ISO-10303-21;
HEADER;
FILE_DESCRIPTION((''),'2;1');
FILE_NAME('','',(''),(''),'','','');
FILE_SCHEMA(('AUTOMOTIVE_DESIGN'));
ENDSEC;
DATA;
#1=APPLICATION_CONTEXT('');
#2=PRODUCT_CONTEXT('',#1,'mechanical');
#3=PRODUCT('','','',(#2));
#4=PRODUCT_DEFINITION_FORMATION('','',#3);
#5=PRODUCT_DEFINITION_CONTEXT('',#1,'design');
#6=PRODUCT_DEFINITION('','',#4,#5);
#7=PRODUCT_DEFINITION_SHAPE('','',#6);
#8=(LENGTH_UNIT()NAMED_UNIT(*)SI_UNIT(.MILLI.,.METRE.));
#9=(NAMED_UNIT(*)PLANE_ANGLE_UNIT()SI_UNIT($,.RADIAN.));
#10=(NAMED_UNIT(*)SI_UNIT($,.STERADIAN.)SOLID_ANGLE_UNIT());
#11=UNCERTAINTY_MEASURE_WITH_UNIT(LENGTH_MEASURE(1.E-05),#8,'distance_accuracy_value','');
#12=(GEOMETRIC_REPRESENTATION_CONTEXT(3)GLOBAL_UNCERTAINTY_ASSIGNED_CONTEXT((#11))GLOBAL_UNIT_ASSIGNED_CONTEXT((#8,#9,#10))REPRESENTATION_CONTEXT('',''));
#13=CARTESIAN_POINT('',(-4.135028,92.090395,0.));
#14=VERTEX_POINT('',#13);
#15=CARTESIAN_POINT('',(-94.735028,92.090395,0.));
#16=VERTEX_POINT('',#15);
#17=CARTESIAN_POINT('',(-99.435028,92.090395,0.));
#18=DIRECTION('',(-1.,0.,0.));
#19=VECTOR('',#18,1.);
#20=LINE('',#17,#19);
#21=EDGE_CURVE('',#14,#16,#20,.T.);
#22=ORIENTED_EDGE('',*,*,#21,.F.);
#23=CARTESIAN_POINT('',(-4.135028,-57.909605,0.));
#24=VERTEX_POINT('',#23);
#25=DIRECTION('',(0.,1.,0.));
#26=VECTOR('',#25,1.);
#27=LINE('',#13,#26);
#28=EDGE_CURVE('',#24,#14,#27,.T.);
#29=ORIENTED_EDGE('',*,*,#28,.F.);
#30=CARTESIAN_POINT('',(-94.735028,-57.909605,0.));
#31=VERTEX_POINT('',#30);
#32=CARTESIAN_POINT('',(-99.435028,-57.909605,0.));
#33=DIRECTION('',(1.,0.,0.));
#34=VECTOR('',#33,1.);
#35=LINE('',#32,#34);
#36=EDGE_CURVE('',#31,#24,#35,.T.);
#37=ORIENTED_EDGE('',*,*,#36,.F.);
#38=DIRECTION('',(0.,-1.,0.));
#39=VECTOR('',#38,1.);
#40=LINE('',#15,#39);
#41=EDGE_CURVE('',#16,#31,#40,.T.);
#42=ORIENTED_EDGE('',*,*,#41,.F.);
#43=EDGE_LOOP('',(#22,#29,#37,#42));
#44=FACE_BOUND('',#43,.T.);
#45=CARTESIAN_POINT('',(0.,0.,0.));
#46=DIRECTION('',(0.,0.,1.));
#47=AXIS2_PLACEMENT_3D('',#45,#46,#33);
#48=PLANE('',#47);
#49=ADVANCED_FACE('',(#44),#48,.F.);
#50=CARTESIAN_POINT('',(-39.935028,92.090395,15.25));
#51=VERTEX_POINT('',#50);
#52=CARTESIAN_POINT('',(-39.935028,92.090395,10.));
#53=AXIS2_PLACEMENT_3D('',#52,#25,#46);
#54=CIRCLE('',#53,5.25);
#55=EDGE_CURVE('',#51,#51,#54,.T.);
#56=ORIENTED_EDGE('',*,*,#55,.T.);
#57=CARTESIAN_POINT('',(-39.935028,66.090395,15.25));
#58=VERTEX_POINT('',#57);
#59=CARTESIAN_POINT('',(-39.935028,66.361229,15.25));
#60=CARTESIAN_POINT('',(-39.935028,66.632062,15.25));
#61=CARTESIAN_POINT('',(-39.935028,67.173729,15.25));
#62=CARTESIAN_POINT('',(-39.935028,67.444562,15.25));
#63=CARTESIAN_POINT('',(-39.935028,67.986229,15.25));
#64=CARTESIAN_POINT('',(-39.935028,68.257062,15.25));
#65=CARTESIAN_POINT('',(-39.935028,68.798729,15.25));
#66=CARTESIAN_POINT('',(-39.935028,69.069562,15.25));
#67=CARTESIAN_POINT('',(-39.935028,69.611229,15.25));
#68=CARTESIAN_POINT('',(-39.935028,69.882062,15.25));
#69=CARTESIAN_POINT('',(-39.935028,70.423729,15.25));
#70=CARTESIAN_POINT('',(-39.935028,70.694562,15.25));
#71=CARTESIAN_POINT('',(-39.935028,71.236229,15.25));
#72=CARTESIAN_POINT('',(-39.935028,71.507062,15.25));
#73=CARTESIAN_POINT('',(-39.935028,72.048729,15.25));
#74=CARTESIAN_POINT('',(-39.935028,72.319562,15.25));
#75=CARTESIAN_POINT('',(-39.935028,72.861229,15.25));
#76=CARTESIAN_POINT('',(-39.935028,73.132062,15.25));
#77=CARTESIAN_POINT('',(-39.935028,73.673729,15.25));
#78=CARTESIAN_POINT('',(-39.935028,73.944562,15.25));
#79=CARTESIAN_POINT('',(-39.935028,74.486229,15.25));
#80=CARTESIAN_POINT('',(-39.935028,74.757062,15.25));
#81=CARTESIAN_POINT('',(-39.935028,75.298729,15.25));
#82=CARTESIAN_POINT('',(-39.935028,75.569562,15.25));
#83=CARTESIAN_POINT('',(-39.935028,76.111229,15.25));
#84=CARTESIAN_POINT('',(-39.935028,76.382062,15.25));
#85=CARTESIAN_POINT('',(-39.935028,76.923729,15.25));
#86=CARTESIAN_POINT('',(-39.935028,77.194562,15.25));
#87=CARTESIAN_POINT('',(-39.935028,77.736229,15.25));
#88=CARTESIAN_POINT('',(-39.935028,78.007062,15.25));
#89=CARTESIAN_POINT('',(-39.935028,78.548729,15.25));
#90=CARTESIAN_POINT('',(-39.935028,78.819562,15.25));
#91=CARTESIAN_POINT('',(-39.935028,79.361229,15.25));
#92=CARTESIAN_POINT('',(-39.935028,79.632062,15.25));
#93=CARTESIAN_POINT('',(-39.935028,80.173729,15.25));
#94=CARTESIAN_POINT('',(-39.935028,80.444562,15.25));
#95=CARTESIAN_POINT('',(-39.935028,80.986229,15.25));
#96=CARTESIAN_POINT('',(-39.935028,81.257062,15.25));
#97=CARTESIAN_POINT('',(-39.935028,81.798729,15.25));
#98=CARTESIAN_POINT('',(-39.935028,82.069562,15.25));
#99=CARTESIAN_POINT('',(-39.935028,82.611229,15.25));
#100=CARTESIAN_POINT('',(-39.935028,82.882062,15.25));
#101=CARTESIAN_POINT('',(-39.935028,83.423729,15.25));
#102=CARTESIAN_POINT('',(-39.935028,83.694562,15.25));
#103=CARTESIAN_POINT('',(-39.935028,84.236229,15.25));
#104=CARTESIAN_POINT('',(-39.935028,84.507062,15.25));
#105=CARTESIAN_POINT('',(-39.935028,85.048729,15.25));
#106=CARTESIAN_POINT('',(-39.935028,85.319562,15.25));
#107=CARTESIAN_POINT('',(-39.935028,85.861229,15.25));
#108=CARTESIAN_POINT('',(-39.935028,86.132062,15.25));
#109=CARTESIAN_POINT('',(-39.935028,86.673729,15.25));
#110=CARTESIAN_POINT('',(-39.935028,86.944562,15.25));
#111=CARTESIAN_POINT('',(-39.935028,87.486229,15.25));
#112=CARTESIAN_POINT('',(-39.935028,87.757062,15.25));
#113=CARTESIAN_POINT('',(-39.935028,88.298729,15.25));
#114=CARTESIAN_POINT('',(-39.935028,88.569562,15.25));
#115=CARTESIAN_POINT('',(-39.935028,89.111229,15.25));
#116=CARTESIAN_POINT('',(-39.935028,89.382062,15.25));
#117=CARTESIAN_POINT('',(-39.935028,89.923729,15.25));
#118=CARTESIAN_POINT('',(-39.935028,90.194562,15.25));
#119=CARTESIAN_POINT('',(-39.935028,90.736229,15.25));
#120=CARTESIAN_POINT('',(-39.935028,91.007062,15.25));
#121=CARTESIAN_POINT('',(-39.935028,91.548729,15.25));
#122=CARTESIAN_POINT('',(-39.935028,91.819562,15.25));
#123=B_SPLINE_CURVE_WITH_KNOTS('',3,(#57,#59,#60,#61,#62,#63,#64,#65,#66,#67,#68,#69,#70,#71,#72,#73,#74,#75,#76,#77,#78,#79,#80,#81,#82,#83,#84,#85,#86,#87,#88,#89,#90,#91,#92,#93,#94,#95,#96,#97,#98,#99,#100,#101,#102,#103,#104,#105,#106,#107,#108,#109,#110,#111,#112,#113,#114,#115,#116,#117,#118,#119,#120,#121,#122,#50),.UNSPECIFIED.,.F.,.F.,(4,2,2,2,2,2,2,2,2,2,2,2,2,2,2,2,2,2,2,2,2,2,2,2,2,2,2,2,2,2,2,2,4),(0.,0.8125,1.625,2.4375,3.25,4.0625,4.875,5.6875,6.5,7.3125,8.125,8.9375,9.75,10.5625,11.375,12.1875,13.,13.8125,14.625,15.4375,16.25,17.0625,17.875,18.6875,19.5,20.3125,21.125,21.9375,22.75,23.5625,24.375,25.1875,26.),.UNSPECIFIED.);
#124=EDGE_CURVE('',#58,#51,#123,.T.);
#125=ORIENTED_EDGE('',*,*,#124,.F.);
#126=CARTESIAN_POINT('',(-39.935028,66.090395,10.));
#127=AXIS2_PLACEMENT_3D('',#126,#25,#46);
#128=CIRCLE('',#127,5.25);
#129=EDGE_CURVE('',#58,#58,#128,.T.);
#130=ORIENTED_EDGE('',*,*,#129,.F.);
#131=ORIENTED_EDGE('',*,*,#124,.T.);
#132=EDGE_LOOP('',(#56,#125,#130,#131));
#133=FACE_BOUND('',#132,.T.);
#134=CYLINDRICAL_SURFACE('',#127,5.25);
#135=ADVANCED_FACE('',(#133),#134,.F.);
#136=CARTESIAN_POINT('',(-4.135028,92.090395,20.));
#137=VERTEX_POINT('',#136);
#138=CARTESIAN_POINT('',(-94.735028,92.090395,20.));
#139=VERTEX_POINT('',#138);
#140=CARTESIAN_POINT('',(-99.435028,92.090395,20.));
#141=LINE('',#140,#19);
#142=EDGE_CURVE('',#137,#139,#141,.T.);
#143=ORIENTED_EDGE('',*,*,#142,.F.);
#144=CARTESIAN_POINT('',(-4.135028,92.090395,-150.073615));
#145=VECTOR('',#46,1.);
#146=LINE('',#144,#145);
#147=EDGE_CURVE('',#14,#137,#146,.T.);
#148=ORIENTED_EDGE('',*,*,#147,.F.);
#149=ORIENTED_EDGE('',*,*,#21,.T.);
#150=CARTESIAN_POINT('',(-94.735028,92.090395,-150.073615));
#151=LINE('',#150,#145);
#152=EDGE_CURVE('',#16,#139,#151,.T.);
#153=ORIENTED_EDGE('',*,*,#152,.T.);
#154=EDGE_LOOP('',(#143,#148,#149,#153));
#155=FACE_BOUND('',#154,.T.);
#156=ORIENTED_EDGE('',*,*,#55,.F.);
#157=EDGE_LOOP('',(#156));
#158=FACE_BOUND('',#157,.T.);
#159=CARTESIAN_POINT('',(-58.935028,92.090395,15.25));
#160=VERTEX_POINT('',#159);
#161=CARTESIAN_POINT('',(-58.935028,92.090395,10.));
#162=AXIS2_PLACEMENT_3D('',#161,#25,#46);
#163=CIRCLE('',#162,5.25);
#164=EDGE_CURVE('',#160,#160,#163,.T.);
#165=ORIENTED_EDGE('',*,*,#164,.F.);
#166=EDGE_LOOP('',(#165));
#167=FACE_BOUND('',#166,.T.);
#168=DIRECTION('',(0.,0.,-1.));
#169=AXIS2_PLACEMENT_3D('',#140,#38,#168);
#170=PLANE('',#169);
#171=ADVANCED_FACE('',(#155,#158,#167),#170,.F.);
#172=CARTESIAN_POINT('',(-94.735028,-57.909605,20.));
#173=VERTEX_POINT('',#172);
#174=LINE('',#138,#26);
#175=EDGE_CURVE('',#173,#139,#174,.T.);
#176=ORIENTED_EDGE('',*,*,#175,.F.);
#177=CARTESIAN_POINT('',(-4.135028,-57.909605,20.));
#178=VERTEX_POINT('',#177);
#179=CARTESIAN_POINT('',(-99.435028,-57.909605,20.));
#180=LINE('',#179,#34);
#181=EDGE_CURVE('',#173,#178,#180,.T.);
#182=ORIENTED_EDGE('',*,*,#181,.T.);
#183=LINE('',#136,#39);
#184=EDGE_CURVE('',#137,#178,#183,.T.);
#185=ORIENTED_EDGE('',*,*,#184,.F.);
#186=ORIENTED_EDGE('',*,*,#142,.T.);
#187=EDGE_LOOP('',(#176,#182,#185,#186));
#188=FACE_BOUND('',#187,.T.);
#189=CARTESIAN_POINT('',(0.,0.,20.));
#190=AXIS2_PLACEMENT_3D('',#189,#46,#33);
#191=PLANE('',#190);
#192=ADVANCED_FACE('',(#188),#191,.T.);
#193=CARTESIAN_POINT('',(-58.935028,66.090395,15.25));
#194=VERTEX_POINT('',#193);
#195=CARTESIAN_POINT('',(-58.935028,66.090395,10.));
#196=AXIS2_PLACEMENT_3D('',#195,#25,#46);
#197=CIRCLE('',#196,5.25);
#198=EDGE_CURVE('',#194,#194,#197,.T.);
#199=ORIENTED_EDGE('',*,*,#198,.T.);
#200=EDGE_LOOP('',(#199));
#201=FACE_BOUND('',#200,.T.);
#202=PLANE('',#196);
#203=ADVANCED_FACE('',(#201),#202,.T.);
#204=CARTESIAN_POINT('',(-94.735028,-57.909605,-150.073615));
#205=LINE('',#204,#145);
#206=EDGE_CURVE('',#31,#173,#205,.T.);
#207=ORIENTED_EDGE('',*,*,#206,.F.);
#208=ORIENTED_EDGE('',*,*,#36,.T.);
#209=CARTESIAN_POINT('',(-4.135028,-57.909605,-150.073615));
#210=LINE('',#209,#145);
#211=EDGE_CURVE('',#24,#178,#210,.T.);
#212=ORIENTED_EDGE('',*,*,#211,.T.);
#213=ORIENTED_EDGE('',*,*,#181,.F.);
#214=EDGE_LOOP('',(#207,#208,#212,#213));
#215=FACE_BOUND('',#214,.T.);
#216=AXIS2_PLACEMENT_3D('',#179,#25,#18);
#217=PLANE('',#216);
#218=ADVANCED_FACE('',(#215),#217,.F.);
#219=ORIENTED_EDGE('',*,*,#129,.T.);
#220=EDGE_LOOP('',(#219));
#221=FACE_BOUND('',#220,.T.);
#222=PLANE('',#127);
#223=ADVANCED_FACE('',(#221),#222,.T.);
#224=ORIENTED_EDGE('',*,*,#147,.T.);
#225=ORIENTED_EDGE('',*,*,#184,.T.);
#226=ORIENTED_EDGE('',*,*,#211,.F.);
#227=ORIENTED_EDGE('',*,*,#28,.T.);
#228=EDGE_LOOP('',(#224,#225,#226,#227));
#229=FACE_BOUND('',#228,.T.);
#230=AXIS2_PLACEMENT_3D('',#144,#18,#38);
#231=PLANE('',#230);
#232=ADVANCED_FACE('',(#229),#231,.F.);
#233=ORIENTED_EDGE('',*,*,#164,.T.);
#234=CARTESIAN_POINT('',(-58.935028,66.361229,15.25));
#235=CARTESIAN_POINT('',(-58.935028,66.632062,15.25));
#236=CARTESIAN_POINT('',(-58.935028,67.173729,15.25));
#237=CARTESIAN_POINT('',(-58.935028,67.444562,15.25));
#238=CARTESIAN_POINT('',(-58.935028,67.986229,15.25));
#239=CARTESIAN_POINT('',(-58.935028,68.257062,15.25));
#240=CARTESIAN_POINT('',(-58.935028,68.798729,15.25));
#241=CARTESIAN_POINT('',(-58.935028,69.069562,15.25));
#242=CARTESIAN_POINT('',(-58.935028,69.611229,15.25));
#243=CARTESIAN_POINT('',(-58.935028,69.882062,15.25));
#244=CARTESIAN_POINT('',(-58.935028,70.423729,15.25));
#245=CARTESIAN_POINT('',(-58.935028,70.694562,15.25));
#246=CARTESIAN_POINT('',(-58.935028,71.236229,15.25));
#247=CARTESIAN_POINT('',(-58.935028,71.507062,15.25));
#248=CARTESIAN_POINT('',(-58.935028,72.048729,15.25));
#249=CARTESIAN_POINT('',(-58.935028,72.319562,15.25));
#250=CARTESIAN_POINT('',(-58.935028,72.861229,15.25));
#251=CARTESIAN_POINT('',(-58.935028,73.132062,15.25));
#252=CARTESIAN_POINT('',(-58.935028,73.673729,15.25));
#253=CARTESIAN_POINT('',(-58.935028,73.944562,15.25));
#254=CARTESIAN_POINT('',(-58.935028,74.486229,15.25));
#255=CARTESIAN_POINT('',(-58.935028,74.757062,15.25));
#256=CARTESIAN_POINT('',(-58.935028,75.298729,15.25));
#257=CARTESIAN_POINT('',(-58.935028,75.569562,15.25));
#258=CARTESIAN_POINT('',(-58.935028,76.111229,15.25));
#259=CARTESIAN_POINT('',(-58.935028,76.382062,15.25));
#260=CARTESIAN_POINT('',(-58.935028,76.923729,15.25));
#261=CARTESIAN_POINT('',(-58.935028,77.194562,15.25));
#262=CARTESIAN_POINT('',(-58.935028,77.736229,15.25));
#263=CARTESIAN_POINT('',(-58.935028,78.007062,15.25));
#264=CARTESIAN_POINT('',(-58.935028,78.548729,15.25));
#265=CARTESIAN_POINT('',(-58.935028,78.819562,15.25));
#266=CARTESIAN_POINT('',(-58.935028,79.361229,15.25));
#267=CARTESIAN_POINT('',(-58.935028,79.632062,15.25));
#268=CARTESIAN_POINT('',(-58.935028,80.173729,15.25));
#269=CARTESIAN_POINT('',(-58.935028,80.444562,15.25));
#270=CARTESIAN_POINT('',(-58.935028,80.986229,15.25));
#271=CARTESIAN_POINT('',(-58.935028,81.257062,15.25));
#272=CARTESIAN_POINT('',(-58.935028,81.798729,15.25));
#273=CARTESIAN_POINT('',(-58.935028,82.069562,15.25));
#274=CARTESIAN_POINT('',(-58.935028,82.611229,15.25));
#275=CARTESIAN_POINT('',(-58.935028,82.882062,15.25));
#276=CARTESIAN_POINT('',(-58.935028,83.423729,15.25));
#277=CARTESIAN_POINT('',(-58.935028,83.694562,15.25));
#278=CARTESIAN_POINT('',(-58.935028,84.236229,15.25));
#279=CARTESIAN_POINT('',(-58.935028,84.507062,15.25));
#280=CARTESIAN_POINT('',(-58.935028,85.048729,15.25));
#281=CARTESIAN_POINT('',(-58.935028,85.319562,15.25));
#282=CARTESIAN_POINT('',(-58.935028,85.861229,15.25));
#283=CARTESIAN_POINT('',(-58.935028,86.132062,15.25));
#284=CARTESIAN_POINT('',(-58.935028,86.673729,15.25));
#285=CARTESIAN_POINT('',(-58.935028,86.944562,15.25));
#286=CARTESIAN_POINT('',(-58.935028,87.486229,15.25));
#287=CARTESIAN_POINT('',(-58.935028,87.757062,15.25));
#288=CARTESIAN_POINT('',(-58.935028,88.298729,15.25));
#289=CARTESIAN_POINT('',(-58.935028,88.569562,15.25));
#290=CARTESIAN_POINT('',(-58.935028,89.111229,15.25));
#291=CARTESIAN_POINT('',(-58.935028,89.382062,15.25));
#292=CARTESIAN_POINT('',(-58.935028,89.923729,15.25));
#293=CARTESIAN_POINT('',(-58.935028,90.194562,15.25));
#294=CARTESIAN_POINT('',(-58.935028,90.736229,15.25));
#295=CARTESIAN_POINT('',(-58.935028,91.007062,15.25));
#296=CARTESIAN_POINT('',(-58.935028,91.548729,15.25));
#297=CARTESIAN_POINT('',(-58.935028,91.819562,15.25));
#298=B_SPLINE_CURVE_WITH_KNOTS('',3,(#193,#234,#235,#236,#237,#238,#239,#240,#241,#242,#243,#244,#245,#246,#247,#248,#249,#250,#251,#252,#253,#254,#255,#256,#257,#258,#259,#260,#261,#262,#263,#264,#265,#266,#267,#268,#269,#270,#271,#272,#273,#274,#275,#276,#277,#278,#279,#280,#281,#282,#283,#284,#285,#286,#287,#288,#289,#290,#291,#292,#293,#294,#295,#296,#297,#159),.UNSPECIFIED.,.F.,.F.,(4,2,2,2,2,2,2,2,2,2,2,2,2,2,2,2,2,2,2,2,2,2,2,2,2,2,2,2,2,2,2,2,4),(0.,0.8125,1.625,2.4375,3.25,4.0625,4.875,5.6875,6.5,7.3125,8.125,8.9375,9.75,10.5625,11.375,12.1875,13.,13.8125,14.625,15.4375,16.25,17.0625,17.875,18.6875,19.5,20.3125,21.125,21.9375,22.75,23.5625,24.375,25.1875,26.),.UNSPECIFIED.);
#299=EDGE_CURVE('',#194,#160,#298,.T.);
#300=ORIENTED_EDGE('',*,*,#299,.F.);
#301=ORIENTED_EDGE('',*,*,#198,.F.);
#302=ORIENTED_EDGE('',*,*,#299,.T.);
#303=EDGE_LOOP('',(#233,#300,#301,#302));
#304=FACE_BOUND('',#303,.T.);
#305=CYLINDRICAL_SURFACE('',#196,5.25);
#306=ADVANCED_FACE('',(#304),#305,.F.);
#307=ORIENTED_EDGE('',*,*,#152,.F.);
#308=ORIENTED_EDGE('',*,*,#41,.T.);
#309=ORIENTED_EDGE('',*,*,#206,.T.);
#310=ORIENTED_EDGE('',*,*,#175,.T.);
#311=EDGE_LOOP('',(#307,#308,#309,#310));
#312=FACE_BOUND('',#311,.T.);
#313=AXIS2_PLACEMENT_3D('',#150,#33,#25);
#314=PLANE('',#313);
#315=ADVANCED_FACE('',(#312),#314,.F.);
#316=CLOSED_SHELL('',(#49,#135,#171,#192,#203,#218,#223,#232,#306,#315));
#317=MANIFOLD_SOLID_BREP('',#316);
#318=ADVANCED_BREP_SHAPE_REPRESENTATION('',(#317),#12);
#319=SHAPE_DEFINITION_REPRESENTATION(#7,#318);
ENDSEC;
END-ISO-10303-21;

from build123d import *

# Parameters (mm, degrees)
SKETCH1_W           = 100
SKETCH1_H           = 150
BOSS_EXTRUDE1_DEPTH = 20
SKETCH2_R           = 5.25
CUT_EXTRUDE1_DEPTH  = 26
SKETCH3_W           = 4.7
SKETCH3_H           = 150
CUT_EXTRUDE2_DEPTH  = 20


with BuildPart() as part:
    # Sketch1 → Boss-Extrude1 (new body)
    with BuildSketch(Plane.XY):
        with Locations((-49.435028249, 17.09039548)):
            Rectangle(SKETCH1_W, SKETCH1_H)
    extrude(amount=BOSS_EXTRUDE1_DEPTH)

    # Sketch2 → Cut-Extrude1 (cut)
    with BuildSketch(Plane(origin=(0, 92.09039548, 0), x_dir=(1, 0, 0), z_dir=(0, 1, 0))):
        with Locations(Location((-58.935028249, -10, 0), (0, 0, 270))):
            Circle(SKETCH2_R)
        with Locations(Location((-39.935028249, -10, 0), (0, 0, 270))):
            Circle(SKETCH2_R)
    extrude(amount=-CUT_EXTRUDE1_DEPTH, mode=Mode.SUBTRACT)

    # Sketch3 → Cut-Extrude2 (cut)
    with BuildSketch(Plane.XY.offset(20)):
        with Locations((-97.085028249, 17.09039548)):
            Rectangle(SKETCH3_W, SKETCH3_H)
        with Locations((-1.785028249, 17.09039548)):
            Rectangle(SKETCH3_W, SKETCH3_H)
    extrude(amount=-CUT_EXTRUDE2_DEPTH, mode=Mode.SUBTRACT)


solid = part.part
